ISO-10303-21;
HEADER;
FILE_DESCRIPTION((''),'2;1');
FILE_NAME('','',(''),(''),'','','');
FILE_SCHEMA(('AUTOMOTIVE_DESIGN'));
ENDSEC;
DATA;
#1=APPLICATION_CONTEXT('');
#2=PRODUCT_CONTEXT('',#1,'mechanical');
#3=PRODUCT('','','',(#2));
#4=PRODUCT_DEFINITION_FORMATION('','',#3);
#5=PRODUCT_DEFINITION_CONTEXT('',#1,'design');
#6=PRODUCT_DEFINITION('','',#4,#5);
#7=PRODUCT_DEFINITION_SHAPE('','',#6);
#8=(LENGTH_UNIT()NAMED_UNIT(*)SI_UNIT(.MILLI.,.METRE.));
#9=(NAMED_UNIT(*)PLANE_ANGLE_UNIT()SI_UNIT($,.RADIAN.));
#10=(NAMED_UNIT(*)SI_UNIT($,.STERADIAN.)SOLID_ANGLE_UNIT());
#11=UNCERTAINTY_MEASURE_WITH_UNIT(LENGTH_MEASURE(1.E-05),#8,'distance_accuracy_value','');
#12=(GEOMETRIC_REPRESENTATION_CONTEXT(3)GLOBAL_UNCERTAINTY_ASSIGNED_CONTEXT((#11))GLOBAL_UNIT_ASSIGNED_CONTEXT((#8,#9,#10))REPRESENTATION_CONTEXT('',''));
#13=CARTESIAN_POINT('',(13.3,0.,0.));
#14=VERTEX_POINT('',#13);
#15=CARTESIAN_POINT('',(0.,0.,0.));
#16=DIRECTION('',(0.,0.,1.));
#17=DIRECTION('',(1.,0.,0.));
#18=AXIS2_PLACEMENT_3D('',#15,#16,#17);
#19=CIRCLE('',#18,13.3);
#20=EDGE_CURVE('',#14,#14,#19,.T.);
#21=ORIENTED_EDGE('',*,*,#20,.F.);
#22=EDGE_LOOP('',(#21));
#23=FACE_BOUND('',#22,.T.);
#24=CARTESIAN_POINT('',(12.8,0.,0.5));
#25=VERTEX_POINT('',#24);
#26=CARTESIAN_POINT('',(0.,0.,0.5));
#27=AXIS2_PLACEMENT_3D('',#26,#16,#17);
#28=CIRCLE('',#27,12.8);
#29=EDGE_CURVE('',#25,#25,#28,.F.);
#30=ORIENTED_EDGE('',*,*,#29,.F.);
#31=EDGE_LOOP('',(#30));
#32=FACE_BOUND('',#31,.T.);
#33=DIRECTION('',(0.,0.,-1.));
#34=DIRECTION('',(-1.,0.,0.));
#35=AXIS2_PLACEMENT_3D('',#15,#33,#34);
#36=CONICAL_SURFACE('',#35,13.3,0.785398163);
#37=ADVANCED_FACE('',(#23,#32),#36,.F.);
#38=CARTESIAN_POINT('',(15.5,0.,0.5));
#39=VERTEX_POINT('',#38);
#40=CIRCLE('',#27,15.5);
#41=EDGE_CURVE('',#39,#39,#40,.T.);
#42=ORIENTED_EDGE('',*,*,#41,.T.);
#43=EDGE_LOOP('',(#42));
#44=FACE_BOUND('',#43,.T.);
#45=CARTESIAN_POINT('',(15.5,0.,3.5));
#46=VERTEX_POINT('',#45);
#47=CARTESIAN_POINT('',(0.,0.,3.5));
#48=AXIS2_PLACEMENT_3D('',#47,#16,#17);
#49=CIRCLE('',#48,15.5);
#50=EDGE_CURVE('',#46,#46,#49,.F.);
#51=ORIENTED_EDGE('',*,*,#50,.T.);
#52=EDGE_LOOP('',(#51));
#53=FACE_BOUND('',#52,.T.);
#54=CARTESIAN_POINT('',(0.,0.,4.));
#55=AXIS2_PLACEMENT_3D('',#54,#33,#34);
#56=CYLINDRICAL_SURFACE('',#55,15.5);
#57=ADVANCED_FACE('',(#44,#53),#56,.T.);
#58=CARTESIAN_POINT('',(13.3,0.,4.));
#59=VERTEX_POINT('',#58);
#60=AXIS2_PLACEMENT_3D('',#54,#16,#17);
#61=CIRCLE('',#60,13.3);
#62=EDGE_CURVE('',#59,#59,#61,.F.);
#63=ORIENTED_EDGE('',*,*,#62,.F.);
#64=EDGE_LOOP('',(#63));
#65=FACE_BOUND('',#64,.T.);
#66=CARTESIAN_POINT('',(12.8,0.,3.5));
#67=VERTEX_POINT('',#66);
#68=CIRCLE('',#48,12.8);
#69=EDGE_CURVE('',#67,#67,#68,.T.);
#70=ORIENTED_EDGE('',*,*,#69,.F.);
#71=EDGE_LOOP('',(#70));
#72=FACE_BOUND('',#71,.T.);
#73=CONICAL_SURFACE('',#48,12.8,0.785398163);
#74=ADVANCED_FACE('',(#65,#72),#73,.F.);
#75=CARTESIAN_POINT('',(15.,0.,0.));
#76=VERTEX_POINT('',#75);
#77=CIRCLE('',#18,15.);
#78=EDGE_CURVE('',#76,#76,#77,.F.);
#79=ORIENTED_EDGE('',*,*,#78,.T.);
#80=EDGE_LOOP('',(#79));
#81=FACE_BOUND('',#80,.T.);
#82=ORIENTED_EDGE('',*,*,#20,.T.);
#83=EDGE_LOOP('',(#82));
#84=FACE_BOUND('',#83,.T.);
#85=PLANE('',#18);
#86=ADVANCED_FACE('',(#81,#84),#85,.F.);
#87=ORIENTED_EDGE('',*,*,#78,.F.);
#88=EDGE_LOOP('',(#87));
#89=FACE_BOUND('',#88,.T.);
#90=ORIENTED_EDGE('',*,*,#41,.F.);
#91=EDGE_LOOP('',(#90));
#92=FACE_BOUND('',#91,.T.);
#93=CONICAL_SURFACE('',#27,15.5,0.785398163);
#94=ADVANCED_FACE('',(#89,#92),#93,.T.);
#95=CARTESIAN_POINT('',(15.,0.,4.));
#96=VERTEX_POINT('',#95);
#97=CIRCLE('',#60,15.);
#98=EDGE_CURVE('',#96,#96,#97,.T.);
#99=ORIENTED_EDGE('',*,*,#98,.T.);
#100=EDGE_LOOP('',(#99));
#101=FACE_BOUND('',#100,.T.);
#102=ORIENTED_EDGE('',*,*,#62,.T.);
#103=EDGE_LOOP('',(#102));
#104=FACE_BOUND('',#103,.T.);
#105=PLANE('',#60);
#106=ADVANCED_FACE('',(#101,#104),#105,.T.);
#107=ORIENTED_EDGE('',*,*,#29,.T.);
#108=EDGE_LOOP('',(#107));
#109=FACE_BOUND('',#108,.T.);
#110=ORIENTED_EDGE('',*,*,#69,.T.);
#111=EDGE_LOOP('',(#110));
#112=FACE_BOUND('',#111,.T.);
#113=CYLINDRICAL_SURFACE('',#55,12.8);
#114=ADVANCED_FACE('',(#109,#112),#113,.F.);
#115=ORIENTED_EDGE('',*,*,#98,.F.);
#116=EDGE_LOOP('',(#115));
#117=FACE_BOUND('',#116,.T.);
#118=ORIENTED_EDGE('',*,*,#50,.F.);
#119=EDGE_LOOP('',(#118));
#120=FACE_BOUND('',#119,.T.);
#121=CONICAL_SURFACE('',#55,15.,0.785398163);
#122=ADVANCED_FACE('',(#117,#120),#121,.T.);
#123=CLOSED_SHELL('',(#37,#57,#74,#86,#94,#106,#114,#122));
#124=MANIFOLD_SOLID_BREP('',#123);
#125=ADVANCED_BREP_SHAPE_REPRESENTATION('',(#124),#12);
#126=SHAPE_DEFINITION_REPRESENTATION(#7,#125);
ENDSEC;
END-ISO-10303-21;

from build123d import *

# Parameters (mm, degrees)
SKETCH1_R           = 15.5
SKETCH1_R_2         = 12.8
BOSS_EXTRUDE1_DEPTH = 4
CHAMFER1_SIZE       = 0.5


with BuildPart() as part:
    # Sketch1 → Boss-Extrude1 (new body)
    with BuildSketch(Plane.XY):
        Circle(SKETCH1_R)
        Circle(SKETCH1_R_2, mode=Mode.SUBTRACT)
    extrude(amount=BOSS_EXTRUDE1_DEPTH)

    # Chamfer1
    chamfer1_edges = [part.edges().sort_by_distance(p)[0] for p in [
        (-15.5, 0, 0),
        (-15.5, 0, 4),
        (-12.8, 0, 0),
        (-12.8, 0, 4),
    ]]
    chamfer(chamfer1_edges, length=CHAMFER1_SIZE)


solid = part.part
